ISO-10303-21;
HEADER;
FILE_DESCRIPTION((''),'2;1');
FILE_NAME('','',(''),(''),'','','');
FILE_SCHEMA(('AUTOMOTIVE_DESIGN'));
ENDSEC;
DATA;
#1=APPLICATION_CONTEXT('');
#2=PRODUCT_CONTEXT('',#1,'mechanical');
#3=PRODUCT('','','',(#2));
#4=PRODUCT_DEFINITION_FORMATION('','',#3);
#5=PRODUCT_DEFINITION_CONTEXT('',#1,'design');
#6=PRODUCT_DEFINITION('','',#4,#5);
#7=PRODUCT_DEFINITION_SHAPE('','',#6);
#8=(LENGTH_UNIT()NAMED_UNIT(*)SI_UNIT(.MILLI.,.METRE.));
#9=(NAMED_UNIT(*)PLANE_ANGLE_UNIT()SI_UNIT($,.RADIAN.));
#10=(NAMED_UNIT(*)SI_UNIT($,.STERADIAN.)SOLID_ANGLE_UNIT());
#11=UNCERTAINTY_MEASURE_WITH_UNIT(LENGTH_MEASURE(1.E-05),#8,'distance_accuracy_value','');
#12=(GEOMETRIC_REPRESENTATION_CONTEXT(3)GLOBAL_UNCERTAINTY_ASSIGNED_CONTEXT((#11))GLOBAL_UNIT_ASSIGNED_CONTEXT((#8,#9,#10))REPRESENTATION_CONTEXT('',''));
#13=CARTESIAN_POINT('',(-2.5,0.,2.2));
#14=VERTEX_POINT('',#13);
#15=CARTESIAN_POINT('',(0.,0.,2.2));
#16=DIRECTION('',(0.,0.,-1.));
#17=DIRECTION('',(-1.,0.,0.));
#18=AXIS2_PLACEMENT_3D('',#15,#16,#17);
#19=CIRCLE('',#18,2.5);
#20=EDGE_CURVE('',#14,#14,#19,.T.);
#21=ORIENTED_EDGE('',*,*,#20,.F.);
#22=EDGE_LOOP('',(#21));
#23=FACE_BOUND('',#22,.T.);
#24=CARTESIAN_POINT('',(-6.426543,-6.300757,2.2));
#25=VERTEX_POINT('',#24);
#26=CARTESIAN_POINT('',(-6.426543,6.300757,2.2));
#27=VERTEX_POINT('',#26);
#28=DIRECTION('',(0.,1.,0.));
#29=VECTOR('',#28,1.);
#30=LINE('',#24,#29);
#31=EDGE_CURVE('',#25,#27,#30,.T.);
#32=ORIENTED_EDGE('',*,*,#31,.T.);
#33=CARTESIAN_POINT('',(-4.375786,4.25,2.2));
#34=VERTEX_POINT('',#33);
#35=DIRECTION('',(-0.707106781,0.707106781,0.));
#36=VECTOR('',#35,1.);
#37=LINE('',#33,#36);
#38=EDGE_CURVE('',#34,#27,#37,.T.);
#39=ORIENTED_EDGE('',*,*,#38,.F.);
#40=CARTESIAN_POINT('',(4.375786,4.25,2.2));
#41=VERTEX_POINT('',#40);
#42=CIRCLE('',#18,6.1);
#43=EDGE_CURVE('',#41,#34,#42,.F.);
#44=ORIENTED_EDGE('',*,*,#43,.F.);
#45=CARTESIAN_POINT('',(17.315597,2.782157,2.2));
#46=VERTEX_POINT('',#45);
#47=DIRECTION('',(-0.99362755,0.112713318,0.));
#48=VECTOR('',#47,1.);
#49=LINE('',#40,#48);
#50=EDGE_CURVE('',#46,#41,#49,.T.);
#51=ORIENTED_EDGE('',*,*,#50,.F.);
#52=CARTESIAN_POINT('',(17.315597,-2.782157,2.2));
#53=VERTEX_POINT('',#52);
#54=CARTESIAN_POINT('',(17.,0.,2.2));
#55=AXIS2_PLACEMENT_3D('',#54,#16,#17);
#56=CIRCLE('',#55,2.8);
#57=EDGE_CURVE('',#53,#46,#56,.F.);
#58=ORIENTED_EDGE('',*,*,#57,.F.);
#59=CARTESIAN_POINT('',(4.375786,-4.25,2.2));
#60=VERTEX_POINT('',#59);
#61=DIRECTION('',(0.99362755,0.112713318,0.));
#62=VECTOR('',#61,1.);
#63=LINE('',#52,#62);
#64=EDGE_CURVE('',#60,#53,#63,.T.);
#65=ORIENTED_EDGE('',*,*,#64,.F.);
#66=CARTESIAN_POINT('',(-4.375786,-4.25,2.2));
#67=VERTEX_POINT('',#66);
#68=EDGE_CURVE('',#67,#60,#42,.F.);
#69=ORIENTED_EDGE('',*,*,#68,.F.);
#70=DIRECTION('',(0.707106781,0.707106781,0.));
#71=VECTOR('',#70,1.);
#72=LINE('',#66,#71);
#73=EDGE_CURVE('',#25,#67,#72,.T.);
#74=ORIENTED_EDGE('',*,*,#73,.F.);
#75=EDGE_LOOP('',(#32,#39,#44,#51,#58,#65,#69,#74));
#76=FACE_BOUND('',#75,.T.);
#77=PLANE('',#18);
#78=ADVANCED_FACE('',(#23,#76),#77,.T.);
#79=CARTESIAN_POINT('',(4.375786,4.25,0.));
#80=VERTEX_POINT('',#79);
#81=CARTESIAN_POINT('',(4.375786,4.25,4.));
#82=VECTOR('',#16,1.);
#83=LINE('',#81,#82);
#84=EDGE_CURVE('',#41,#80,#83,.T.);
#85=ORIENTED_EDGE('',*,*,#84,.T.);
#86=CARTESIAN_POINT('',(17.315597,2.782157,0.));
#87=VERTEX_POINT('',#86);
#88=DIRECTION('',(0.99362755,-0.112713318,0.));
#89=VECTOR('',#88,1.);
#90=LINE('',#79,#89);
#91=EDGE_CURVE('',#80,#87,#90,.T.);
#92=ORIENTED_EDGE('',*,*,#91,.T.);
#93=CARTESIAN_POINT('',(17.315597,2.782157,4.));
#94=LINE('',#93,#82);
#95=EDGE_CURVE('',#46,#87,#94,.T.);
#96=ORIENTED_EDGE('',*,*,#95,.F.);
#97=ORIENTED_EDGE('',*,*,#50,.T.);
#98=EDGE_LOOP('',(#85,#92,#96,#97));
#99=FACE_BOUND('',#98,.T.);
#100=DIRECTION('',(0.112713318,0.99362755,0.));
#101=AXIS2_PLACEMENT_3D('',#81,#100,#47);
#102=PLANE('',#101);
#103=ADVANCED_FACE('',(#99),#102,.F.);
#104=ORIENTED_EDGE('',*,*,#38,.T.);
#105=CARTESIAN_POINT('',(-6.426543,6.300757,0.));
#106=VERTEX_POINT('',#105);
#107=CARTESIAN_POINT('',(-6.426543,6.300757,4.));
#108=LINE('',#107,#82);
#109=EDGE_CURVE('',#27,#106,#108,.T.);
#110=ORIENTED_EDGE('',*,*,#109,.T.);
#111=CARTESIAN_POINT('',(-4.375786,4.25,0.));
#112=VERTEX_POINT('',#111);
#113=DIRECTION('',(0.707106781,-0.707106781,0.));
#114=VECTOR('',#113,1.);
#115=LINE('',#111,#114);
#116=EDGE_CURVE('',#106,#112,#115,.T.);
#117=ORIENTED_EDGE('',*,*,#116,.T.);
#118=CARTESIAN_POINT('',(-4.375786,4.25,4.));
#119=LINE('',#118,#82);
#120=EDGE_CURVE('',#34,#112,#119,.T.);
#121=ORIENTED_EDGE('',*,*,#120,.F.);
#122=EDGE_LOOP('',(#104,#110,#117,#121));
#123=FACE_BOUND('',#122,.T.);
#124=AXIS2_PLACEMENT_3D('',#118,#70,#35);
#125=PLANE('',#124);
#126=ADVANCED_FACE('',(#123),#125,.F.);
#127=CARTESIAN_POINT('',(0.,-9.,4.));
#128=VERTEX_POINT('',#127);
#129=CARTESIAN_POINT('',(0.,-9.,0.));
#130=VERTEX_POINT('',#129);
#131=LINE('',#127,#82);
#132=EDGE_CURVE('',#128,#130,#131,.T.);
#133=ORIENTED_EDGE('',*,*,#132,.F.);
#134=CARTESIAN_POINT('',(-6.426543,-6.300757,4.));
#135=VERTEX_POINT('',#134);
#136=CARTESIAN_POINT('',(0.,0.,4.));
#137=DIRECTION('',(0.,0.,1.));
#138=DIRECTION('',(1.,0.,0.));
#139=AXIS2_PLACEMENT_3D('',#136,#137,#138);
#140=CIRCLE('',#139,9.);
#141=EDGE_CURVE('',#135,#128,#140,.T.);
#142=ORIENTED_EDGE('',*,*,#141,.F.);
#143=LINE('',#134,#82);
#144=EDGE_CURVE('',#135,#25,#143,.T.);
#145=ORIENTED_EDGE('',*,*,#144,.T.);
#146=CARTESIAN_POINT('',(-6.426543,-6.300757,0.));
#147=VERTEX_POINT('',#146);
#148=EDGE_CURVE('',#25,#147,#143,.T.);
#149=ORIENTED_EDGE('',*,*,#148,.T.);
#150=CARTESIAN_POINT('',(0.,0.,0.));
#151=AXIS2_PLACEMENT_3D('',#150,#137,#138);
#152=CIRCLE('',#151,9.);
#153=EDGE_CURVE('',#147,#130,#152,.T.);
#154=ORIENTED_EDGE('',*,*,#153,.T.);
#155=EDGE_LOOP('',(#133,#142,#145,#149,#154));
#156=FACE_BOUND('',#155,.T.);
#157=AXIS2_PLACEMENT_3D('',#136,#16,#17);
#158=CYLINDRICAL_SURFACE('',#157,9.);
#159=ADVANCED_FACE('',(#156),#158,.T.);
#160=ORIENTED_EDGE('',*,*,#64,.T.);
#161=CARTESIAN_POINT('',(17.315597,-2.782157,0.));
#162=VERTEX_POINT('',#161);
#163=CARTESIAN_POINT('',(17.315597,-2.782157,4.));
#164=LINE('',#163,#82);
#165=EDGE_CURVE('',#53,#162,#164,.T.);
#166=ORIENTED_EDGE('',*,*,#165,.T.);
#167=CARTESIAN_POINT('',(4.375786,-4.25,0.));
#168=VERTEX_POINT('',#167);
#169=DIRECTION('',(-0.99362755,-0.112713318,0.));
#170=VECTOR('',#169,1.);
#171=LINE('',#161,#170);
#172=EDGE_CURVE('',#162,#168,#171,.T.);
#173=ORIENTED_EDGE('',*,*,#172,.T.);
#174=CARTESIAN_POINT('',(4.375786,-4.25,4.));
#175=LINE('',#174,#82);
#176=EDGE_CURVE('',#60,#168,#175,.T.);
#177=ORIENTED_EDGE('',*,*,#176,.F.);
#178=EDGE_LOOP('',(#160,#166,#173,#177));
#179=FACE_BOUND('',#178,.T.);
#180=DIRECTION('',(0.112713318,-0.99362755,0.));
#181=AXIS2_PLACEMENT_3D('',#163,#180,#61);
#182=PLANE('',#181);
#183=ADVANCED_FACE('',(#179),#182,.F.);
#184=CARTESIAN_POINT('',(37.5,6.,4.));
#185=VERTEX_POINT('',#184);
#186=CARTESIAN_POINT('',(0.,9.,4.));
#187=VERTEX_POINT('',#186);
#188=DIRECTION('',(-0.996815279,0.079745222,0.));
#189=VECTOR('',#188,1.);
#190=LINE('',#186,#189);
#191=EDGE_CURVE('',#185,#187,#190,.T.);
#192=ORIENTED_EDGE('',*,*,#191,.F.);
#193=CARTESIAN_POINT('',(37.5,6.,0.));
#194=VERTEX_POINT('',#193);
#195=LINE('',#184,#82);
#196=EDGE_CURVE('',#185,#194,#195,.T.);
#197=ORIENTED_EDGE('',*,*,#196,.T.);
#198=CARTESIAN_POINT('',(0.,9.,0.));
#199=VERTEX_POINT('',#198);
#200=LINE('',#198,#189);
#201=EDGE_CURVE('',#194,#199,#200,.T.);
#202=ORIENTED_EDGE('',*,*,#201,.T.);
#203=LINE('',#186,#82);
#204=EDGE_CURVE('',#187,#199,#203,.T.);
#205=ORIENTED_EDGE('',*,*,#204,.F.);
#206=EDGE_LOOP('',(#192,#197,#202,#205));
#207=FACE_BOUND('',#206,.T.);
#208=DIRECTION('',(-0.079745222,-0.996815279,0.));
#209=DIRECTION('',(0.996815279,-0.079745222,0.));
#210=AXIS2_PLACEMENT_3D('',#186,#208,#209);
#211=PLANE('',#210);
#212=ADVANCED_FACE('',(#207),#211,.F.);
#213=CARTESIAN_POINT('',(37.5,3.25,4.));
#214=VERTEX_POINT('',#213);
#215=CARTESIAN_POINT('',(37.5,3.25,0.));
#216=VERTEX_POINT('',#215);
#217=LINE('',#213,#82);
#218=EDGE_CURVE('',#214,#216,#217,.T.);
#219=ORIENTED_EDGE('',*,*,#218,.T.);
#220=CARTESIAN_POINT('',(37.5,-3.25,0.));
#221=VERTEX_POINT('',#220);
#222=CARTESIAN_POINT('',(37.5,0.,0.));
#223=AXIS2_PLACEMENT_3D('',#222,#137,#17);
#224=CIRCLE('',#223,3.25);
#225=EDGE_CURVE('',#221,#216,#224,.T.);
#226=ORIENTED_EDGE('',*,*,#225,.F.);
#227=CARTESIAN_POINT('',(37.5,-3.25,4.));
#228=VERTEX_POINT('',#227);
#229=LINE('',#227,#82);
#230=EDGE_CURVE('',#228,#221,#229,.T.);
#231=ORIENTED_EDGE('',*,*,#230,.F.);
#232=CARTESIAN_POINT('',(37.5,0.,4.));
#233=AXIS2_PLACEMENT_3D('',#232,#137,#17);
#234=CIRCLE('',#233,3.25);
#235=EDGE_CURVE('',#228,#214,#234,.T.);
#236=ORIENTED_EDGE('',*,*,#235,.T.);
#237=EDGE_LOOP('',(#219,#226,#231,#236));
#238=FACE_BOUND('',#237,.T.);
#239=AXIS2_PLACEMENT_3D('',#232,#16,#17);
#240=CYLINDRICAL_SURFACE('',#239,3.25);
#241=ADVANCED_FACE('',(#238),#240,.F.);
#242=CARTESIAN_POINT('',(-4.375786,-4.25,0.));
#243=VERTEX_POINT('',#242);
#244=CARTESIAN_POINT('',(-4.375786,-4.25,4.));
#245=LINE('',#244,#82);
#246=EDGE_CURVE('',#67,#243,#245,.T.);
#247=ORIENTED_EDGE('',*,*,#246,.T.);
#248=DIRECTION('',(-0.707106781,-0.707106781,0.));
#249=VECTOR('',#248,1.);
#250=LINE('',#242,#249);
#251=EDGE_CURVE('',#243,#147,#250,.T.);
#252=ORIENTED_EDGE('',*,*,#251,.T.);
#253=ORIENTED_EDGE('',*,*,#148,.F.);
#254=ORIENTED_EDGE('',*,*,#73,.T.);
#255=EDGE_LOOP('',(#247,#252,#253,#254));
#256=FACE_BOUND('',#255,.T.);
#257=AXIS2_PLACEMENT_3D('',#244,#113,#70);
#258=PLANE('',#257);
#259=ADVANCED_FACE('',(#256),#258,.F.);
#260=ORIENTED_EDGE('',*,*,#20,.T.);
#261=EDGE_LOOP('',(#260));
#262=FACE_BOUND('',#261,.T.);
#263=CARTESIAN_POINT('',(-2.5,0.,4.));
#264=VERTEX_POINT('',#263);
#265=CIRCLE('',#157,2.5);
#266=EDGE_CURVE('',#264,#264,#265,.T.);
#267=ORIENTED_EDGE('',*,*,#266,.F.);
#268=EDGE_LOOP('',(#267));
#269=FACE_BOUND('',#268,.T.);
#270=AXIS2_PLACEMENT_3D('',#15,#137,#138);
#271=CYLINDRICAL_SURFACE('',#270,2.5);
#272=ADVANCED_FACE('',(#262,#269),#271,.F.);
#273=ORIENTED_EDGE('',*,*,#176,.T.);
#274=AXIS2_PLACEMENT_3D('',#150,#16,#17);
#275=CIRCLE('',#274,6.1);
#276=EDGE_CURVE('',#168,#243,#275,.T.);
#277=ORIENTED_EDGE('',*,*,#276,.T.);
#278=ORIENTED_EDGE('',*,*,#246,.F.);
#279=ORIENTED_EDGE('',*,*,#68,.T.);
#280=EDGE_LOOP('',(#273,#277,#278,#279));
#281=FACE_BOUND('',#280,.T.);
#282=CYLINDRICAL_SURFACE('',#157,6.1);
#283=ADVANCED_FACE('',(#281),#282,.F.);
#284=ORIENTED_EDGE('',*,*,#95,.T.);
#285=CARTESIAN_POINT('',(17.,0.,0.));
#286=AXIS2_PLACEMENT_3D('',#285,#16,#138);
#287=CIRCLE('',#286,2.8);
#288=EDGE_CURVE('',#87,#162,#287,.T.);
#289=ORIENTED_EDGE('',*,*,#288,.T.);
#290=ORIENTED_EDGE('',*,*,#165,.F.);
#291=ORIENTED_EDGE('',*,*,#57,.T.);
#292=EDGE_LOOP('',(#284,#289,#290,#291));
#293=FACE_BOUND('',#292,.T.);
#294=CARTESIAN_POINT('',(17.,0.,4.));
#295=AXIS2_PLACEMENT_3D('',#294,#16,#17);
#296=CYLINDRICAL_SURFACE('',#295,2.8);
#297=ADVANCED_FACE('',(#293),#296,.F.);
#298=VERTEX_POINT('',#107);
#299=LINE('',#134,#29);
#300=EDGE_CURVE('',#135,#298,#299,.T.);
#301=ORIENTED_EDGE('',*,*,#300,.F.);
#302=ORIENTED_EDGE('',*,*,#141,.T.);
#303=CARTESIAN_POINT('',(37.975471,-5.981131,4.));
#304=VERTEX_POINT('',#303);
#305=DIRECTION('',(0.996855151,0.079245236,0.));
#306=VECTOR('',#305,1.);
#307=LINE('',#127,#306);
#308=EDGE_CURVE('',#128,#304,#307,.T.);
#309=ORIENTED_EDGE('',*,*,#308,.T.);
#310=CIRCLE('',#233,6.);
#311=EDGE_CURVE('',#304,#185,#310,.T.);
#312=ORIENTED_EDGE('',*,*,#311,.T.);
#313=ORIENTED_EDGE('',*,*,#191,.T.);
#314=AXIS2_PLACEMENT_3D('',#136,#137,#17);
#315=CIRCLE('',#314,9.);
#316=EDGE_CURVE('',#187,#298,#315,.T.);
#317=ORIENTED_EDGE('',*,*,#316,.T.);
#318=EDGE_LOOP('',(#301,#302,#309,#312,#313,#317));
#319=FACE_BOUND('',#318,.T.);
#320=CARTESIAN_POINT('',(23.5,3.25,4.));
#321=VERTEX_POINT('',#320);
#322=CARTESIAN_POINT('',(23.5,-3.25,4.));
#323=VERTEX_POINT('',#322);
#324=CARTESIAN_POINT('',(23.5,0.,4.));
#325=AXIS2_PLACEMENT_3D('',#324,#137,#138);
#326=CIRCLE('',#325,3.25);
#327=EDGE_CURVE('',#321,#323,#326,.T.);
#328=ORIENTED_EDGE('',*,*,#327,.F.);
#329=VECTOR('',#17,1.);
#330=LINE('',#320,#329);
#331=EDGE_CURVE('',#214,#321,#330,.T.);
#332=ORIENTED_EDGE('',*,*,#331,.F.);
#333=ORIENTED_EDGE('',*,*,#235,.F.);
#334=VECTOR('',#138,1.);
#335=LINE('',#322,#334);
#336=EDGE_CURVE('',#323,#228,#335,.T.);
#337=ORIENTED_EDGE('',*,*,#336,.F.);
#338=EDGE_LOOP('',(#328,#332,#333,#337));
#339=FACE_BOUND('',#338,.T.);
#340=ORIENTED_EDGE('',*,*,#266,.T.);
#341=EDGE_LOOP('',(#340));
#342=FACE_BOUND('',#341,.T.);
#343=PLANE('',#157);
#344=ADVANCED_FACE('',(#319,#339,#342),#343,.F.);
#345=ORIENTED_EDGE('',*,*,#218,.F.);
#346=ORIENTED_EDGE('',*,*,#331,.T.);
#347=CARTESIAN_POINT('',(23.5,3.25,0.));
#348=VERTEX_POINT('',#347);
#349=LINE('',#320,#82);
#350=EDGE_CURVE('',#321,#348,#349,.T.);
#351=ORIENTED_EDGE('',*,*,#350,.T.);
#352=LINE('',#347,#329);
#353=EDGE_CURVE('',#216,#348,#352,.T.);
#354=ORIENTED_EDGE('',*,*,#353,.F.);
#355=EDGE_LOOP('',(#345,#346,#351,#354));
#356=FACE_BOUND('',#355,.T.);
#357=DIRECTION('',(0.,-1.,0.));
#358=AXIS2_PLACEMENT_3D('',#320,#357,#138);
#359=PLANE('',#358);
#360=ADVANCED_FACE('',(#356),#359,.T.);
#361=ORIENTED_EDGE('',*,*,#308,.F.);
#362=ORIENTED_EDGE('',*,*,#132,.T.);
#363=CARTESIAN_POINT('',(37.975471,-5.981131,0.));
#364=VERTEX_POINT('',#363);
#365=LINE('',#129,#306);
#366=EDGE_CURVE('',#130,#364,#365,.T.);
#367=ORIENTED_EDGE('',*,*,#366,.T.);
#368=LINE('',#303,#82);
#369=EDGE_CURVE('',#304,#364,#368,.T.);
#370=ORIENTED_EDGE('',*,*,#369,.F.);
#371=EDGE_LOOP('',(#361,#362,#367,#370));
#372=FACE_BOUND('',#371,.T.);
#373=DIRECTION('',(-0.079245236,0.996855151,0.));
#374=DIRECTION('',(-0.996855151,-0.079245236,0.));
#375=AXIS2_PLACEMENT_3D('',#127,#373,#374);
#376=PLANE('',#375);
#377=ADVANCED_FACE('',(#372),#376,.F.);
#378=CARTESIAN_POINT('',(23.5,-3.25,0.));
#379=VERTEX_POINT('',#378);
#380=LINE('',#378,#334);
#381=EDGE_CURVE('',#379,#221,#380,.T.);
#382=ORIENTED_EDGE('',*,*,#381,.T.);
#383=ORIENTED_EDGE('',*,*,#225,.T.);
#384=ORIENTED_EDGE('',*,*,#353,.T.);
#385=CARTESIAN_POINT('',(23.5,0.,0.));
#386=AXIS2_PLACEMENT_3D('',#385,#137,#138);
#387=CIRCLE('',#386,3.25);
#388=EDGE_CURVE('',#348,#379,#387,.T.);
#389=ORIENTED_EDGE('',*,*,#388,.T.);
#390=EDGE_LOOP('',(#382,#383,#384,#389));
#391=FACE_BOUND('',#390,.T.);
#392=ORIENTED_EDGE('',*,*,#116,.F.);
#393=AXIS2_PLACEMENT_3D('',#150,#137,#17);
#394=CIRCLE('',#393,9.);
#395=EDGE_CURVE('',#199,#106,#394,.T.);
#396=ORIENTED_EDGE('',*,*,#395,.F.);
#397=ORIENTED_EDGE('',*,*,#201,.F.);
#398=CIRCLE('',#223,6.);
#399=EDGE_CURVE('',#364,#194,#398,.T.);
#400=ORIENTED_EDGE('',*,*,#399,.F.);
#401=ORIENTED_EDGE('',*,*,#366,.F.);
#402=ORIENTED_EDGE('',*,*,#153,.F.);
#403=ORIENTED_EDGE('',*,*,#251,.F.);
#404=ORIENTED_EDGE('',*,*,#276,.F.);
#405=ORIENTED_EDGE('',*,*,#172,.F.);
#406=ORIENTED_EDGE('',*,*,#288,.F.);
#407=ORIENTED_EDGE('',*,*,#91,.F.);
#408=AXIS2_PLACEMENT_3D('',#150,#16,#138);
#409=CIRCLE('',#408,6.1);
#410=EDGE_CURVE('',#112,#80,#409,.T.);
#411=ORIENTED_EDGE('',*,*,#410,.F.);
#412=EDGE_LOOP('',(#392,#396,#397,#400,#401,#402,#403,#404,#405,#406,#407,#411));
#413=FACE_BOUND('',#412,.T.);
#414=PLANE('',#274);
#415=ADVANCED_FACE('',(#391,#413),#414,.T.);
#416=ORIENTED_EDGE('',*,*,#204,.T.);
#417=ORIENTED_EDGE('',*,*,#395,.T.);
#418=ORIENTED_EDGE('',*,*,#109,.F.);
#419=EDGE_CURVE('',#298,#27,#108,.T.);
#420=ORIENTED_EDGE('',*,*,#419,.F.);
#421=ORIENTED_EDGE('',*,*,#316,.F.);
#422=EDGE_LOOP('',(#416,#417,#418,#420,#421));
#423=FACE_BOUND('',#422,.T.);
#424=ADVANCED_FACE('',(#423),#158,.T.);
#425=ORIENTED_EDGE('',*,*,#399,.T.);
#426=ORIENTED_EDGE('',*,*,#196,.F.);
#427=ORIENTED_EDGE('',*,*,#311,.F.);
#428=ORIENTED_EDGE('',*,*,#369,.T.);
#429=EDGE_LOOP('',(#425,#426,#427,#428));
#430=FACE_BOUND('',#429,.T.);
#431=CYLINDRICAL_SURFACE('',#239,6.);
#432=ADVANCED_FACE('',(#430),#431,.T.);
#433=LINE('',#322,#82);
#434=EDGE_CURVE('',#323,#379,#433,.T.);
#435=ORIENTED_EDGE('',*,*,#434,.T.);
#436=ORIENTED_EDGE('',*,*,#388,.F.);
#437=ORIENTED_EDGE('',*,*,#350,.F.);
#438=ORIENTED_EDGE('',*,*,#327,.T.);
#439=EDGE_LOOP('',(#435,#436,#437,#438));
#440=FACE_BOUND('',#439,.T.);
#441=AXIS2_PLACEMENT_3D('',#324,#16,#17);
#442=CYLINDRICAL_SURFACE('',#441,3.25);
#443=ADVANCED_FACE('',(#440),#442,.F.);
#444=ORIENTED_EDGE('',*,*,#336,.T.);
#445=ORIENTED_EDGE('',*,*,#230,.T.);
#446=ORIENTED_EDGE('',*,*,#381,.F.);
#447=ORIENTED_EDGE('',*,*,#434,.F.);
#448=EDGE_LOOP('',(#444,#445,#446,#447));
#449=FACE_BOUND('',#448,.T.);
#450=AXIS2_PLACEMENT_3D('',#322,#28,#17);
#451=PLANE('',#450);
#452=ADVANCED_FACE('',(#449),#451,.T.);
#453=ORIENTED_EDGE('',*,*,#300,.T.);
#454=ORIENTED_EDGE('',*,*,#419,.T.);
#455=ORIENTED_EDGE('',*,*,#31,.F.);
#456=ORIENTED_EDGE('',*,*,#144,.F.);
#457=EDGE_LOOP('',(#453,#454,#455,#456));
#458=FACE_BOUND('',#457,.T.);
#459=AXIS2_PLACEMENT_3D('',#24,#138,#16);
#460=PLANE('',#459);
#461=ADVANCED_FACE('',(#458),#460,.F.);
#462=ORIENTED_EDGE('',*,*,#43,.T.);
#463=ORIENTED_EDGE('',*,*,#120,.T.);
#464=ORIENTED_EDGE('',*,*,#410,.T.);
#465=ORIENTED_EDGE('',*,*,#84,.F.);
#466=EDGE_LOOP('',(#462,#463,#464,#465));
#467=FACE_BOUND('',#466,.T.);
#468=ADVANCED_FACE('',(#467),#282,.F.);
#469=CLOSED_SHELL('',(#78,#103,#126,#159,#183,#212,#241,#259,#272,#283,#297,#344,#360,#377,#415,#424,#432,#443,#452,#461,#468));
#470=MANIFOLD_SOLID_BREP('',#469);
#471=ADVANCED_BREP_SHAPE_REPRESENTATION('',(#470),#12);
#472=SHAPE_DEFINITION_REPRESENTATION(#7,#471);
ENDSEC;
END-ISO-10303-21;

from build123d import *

# Parameters (mm, degrees)
MAIN_DEPTH          = 4
ESQUISSE2_R         = 2.5
BOSS_EXTRUDE1_DEPTH = 1.8


with BuildPart() as part:
    # Esquisse1 → Main (new body)
    with BuildSketch(Plane.XY):
        with BuildLine():
            Line((-4.375785644, 4.25), (-6.426543071, 6.300757427))
            ThreePointArc((-6.426543071, 6.300757427), (-3.48519606, 8.297795395), (0, 9))
            Line((0, 9), (37.5, 6))
            ThreePointArc((37.5, 6), (43.495280871, 0.23792284), (37.975471418, -5.981130907))
            Line((37.975471418, -5.981130907), (0, -9))
            ThreePointArc((0, -9), (-3.48519606, -8.297795395), (-6.426543071, -6.300757427))
            Line((-6.426543071, -6.300757427), (-4.375785644, -4.25))
            ThreePointArc((-4.375785644, -4.25), (0, -6.1), (4.375785644, -4.25))
            Line((4.375785644, -4.25), (17.31559729, -2.78215714))
            ThreePointArc((17.31559729, -2.78215714), (19.8, 0), (17.31559729, 2.78215714))
            Line((17.31559729, 2.78215714), (4.375785644, 4.25))
            ThreePointArc((4.375785644, 4.25), (0, 6.1), (-4.375785644, 4.25))
        make_face()
        with BuildLine():
            Line((23.5, 3.25), (37.5, 3.25))
            ThreePointArc((37.5, 3.25), (40.75, 0), (37.5, -3.25))
            Line((37.5, -3.25), (23.5, -3.25))
            ThreePointArc((23.5, -3.25), (20.25, 0), (23.5, 3.25))
        make_face(mode=Mode.SUBTRACT)
    extrude(amount=MAIN_DEPTH)

    # Esquisse2 → Boss-Extrude1 (add)
    with BuildSketch(Plane(origin=(0, 0, 4), x_dir=(-1, 0, 0), z_dir=(0, 0, -1))):
        with BuildLine():
            Line((0, -9), (-12.890260848, -7.975285662))
            ThreePointArc((-12.890260848, -7.975285662), (-20.25000047, -0.003253265), (-12.890260848, 7.968779132))
            Line((-12.890260848, 7.968779132), (0, 9))
            ThreePointArc((0, 9), (3.48519606, 8.297795395), (6.426543071, 6.300757427))
            Line((6.426543071, 6.300757427), (6.426543071, -6.300757427))
            ThreePointArc((6.426543071, -6.300757427), (3.48519606, -8.297795395), (0, -9))
        make_face()
        Circle(ESQUISSE2_R, mode=Mode.SUBTRACT)
    extrude(amount=BOSS_EXTRUDE1_DEPTH)


solid = part.part
